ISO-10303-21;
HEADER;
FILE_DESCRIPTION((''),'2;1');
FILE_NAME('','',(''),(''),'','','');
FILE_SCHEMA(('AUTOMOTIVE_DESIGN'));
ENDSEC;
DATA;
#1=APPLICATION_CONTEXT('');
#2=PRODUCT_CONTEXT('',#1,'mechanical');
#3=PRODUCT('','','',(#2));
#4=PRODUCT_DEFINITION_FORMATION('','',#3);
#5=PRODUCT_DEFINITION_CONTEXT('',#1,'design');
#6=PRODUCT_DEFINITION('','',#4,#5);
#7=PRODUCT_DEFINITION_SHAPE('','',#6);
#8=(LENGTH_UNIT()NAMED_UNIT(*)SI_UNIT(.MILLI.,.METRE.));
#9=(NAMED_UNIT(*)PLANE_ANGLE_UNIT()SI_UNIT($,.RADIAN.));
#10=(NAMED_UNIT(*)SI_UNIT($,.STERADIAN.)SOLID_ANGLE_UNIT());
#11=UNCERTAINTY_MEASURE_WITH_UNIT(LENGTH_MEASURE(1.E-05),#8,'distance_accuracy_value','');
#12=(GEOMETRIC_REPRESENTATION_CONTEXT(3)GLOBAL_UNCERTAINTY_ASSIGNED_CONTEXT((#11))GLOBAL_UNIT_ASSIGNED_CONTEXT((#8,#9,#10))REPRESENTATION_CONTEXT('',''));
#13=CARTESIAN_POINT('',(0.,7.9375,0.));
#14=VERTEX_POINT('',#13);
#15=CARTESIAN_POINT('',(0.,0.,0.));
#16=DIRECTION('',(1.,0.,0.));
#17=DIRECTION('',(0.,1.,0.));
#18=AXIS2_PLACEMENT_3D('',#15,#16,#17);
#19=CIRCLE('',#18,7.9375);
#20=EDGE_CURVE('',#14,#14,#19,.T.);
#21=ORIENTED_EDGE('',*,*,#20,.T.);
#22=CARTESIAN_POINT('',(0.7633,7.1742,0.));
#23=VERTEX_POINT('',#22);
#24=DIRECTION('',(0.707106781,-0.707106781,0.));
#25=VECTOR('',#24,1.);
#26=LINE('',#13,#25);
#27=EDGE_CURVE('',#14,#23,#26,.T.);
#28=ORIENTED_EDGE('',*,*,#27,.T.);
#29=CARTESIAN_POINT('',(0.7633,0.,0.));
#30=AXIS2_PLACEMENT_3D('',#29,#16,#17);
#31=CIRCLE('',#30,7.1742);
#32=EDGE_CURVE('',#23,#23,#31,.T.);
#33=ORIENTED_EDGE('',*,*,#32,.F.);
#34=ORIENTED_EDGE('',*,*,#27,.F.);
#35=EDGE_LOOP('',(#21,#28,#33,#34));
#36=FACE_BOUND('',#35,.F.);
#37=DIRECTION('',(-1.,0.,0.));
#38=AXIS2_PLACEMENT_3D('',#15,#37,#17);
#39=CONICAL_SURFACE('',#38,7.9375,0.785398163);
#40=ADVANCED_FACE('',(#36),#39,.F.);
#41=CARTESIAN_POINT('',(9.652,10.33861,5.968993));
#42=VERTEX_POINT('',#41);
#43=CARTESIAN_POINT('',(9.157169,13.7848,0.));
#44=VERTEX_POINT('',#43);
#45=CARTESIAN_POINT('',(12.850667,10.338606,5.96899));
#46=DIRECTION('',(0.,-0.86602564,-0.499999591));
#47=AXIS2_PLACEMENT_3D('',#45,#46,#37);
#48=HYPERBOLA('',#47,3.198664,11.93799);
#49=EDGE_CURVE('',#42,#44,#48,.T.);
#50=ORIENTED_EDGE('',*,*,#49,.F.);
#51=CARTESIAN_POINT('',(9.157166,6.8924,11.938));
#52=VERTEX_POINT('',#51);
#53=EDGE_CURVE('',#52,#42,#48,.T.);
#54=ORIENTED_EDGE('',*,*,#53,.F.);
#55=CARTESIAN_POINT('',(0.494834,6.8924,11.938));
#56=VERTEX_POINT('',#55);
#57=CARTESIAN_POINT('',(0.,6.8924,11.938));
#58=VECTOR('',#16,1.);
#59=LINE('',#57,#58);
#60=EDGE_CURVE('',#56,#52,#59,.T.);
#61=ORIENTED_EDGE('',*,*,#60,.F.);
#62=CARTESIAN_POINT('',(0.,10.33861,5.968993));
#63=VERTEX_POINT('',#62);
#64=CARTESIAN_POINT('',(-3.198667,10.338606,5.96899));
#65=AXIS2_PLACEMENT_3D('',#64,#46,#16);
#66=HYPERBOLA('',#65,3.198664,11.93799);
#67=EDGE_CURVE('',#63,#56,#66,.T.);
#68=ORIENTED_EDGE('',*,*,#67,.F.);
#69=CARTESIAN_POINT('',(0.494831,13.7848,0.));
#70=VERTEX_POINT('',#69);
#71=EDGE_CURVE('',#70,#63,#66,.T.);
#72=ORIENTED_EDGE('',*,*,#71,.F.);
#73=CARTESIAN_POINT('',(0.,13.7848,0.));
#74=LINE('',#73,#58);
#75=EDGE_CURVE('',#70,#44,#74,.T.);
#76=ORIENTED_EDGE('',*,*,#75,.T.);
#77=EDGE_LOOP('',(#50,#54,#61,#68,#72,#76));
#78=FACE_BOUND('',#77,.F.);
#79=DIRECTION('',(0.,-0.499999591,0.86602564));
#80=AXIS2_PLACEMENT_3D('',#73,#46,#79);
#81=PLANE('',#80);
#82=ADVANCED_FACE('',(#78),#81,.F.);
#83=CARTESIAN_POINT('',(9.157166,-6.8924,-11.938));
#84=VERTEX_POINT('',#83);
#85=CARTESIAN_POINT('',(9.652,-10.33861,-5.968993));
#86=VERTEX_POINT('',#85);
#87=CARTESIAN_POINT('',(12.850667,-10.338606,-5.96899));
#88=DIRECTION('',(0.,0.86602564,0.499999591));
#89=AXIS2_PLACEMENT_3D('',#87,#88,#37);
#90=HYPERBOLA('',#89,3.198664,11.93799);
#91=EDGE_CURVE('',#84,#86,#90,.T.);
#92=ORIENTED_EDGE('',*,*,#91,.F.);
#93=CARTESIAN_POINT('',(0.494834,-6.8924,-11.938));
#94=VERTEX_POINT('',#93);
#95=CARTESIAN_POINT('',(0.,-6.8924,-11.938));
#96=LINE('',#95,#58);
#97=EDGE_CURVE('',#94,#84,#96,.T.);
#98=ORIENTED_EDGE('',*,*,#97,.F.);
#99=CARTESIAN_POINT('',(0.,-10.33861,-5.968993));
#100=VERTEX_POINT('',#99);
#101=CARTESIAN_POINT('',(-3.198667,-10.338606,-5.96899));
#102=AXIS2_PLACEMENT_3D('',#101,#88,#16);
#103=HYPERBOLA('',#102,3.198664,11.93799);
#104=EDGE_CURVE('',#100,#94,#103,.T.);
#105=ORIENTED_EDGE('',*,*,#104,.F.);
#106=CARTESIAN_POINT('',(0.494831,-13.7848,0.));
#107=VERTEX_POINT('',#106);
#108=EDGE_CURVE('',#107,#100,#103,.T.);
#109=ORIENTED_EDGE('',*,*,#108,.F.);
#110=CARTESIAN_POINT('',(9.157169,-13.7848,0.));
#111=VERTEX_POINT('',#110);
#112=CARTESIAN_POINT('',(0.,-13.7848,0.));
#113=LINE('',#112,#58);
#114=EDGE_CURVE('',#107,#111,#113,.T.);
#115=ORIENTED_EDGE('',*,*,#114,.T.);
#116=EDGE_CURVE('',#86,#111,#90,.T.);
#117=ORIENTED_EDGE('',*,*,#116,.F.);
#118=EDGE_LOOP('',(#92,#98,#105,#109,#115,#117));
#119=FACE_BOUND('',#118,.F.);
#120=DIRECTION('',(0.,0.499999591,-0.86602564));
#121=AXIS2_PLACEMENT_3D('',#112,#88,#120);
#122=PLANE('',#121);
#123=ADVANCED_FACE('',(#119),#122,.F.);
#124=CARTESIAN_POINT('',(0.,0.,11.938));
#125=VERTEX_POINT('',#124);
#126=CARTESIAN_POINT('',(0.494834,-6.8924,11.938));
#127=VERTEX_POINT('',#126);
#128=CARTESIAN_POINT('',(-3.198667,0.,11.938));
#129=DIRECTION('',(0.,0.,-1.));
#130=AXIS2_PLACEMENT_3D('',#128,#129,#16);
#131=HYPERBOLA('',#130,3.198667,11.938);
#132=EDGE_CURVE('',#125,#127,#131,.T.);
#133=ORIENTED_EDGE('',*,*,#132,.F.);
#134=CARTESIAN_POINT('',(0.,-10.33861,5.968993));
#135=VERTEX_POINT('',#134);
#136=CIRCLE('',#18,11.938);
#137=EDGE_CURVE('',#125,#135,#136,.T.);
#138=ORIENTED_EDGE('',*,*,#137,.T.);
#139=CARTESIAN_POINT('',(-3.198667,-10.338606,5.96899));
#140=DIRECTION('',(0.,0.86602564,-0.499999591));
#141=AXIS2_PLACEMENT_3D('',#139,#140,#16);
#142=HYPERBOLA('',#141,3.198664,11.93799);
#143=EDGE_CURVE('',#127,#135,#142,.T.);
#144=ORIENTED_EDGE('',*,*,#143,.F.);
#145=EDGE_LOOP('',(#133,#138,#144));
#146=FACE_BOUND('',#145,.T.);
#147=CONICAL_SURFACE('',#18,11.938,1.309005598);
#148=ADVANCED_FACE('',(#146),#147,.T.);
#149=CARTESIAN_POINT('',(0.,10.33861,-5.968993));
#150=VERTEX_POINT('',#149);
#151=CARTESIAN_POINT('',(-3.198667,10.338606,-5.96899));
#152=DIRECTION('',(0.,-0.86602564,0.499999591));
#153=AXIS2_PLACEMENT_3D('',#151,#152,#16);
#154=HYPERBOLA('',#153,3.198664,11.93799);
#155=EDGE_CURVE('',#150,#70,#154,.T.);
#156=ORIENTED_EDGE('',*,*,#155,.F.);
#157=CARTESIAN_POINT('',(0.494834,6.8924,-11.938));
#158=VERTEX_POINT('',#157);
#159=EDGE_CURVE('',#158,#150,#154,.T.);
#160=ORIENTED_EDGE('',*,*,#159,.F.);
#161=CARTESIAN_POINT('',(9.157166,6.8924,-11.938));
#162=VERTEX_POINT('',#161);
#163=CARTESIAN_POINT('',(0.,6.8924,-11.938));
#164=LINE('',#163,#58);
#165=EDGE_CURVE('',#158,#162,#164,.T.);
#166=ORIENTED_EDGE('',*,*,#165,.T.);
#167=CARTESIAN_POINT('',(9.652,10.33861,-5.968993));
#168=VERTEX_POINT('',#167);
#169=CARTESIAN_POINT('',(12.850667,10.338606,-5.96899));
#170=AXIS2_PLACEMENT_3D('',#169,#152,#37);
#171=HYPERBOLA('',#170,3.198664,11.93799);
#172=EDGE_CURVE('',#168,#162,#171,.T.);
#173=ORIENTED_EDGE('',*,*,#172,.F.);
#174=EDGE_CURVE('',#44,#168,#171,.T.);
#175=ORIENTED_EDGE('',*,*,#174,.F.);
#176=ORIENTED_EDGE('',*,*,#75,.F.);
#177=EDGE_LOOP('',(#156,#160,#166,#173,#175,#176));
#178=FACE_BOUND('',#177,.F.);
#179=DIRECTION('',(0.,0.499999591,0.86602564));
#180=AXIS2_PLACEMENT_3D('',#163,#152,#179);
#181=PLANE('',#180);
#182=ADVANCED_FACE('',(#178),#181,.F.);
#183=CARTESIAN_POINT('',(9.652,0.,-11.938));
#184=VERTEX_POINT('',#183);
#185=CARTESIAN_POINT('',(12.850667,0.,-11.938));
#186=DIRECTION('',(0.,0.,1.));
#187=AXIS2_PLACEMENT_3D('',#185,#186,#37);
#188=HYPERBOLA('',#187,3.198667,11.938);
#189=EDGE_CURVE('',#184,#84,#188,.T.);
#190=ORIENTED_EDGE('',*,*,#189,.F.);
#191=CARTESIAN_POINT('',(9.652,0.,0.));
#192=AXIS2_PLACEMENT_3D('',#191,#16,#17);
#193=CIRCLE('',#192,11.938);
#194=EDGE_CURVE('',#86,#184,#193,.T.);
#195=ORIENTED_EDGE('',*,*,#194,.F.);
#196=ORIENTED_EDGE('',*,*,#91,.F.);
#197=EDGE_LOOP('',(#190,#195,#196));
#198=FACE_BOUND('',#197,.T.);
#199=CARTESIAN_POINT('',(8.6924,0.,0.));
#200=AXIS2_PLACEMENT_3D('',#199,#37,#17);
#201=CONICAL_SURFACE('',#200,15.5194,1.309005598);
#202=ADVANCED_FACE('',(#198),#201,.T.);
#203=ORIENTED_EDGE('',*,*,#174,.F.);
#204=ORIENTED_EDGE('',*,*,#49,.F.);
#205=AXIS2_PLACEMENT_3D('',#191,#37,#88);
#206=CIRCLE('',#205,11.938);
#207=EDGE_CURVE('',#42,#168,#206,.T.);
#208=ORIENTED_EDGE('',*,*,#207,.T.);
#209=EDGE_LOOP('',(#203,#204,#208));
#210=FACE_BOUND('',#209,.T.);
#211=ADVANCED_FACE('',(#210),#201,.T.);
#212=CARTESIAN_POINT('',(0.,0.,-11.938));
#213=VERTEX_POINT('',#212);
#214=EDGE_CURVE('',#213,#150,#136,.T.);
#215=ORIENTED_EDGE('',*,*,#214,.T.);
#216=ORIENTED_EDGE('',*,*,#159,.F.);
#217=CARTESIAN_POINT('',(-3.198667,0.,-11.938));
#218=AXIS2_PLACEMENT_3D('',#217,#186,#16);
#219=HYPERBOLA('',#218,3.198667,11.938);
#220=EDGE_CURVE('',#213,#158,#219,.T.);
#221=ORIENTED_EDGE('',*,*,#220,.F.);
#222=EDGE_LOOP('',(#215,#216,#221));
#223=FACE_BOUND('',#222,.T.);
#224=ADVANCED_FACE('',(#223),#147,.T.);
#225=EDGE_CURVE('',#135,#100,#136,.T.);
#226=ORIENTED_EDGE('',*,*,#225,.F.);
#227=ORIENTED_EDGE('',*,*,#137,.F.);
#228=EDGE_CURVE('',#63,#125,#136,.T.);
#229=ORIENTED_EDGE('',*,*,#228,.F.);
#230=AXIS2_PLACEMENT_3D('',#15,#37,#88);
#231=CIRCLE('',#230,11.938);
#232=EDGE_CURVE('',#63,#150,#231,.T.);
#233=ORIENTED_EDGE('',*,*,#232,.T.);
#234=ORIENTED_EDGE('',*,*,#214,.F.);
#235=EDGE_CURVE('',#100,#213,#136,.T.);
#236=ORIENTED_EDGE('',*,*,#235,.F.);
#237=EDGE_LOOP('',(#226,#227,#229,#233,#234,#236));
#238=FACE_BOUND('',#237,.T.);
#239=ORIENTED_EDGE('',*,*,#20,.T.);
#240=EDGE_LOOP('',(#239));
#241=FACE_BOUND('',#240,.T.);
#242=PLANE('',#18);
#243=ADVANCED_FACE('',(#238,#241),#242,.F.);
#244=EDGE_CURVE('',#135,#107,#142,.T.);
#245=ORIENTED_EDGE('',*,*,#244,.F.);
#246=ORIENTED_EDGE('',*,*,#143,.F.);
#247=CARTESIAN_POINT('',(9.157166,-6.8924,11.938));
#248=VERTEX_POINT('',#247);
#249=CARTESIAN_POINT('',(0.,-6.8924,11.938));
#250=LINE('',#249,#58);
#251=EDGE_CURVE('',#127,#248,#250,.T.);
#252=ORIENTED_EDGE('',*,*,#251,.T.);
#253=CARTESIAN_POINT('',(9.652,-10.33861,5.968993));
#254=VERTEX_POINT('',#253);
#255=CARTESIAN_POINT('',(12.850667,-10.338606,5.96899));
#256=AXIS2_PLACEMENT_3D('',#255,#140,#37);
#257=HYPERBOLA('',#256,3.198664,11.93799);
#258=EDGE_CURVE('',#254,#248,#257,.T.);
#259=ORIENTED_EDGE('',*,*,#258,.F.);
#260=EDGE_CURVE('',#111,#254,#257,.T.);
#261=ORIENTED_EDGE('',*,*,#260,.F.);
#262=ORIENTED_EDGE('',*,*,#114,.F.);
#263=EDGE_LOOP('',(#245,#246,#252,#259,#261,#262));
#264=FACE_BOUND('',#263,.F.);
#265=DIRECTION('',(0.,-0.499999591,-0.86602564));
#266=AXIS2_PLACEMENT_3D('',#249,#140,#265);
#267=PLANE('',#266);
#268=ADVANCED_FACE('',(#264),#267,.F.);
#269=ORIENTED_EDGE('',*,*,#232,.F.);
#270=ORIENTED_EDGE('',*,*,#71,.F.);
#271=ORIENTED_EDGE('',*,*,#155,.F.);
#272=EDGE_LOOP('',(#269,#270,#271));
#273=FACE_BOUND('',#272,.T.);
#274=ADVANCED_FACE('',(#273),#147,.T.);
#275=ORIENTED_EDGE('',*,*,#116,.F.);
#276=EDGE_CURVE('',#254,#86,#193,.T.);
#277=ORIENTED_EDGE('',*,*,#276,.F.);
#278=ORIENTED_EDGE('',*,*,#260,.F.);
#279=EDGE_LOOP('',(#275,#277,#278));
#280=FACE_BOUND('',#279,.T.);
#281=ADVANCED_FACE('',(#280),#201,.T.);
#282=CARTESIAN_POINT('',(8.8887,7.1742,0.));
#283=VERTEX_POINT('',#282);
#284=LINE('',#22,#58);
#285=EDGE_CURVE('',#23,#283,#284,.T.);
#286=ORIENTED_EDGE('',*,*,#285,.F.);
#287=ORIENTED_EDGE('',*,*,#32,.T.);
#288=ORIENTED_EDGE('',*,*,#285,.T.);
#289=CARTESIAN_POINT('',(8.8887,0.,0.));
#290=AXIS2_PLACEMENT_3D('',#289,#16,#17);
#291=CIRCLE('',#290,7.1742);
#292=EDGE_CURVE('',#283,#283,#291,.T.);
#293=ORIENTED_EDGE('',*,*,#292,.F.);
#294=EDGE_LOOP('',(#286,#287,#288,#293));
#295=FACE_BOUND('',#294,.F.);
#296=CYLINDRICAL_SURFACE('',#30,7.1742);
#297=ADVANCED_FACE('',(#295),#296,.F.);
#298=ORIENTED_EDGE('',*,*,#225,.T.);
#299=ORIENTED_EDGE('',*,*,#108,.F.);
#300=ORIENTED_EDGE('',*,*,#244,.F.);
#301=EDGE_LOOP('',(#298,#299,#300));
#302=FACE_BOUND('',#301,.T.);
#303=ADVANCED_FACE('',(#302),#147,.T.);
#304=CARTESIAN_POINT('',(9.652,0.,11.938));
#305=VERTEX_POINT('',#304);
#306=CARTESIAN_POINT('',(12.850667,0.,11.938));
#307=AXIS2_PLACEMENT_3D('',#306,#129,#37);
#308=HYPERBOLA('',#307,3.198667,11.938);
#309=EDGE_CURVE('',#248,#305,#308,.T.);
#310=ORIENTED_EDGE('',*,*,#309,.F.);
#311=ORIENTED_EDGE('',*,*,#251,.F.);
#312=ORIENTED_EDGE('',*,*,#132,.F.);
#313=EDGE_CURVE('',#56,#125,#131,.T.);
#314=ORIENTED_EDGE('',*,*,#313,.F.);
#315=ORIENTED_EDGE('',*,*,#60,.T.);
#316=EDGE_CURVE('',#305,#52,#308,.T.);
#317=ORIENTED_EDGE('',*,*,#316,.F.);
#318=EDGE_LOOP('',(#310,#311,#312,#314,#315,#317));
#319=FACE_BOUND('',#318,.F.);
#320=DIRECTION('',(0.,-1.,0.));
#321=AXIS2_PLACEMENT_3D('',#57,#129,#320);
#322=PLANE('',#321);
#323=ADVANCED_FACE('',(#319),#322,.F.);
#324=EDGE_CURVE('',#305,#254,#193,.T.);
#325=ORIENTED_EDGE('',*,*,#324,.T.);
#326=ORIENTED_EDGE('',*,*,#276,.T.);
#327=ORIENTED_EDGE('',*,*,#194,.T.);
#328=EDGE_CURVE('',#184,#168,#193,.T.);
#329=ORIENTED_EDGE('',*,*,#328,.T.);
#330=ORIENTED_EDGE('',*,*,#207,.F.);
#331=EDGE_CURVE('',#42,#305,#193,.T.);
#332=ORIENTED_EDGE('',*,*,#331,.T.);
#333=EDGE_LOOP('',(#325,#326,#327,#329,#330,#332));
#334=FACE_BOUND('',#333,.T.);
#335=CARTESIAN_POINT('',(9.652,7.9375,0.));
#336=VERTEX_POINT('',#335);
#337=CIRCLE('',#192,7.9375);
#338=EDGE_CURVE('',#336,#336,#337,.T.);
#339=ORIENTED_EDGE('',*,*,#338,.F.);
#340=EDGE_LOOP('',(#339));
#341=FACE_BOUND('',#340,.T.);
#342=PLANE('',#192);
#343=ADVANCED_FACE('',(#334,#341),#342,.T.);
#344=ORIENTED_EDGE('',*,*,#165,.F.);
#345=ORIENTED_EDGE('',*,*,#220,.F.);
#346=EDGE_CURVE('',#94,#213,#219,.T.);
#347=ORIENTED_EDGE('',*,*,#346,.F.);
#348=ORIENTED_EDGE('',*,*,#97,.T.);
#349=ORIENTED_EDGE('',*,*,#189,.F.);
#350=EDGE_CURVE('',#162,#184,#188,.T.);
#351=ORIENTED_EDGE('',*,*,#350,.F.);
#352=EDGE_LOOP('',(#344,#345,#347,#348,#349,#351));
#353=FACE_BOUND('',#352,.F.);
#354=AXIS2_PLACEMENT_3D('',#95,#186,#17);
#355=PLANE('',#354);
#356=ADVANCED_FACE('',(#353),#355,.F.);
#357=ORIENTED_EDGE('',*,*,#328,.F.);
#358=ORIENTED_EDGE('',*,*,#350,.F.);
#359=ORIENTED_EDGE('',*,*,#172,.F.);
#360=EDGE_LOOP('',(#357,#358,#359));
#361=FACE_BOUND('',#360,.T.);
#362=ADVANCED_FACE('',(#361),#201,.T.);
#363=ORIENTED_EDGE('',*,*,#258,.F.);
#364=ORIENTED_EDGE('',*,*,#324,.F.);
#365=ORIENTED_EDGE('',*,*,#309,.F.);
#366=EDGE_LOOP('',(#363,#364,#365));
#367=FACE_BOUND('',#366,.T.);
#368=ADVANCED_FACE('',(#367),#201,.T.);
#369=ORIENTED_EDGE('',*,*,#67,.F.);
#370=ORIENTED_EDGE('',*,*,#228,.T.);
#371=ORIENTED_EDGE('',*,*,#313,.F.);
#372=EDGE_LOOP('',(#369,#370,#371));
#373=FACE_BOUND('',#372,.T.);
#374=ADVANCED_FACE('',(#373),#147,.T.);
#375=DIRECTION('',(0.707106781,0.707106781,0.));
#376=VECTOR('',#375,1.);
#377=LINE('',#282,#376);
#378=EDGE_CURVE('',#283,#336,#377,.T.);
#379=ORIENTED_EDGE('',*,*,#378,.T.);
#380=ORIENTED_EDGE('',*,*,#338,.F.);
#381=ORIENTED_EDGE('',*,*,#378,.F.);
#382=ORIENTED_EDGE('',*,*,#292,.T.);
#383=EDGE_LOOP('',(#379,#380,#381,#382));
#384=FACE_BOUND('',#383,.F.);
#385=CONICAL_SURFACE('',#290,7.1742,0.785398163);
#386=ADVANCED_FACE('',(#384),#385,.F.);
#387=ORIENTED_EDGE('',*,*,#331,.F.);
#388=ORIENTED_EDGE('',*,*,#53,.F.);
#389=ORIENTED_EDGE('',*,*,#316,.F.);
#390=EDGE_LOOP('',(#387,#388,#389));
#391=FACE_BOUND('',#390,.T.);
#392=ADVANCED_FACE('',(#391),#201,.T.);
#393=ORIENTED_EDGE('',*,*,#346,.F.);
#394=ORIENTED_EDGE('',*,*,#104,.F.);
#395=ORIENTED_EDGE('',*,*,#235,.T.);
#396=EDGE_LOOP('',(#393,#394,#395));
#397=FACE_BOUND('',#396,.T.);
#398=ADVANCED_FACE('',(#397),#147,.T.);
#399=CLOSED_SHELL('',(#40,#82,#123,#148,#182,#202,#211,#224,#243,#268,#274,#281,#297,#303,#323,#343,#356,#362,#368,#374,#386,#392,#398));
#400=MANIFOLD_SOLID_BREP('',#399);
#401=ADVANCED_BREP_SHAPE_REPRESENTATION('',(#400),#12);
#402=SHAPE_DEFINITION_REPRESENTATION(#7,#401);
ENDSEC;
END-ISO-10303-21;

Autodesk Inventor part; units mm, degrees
sketch "Sketch_1" plane through (0, 0, 0) normal (0, 0, 1) x (1, 0, 0)
  line L0 (9.652, 0) -> (0, 0)
  line L1 (0, 0) -> (0, 11.938)
  line L2 (0, 11.938) -> (0.9596, 15.5194)
  line L3 (0.9596, 15.5194) -> (8.6924, 15.5194)
  line L4 (8.6924, 15.5194) -> (9.652, 11.938)
  line L5 (9.652, 11.938) -> (9.652, 0)
  line L6 (9.652, 0) -> (0, 0)
revolve "Revolution1" add sketch "Sketch_1" angle 360 about axis through (9.652, 0, 0) along (1, 0, 0)
sketch "Sketch_2" plane through (0, 0, 0) normal (1, 0, 0) x (0, 1, 0)
  line L0 (-23.876, 23.876) -> (-23.876, -23.876)
  line L1 (-23.876, -23.876) -> (23.876, -23.876)
  line L2 (23.876, -23.876) -> (23.876, 23.876)
  line L3 (23.876, 23.876) -> (-23.876, 23.876)
  line L4 (-6.8924, 11.938) -> (-13.7848, 0)
  line L5 (-13.7848, 0) -> (-6.8924, -11.938)
  line L6 (-6.8924, -11.938) -> (6.8924, -11.938)
  line L7 (6.8924, -11.938) -> (13.7848, 0)
  line L8 (13.7848, 0) -> (6.8924, 11.938)
  line L9 (6.8924, 11.938) -> (-6.8924, 11.938)
extrude "Extrusion1" cut sketch "Sketch_2" along normal blind 9.652
sketch "Sketch_3" plane through (0, 0, 0) normal (0, 0, 1) x (1, 0, 0)
  line L0 (9.652, 0) -> (0, 0)
  line L1 (0, 0) -> (0, 7.9375)
  line L2 (0, 7.9375) -> (0.7633, 7.1742)
  line L3 (0.7633, 7.1742) -> (8.8887, 7.1742)
  line L4 (8.8887, 7.1742) -> (9.652, 7.9375)
  line L5 (9.652, 7.9375) -> (9.652, 0)
  line L6 (9.652, 0) -> (0, 0)
revolve "Revolution2" cut sketch "Sketch_3" angle 360 about axis through (9.652, 0, 0) along (1, 0, 0)
thread "Thread1" size "5/8-18 UNF" class "2B" standard "ANSI Unified Screw Threads" full length
ref_plane "c_XY" through (9.652, 0, 0) normal (1, 0, 0) x (0, 0, -1)
ref_plane "c_YZ" through (9.652, 0, 0) normal (0, 0, -1) x (0, 1, 0)
ref_plane "c_ZX" through (9.652, 0, 0) normal (0, 1, 0) x (1, 0, 0)
ref_plane "kb_XY" through (4.826, -11.938, 0) normal (0, 0, 1) x (1, 0, 0)
ref_plane "kb_YZ" through (4.826, -11.938, 0) normal (1, 0, 0) x (0, 1, 0)
ref_plane "kb_ZX" through (4.826, -11.938, 0) normal (0, 1, 0) x (0, 0, 1)
ref_plane "nut_XY" through (0, 0, 0) normal (1, 0, 0) x (0, 0, -1)
ref_plane "nut_YZ" through (0, 0, 0) normal (0, 0, -1) x (0, 1, 0)
ref_plane "nut_ZX" through (0, 0, 0) normal (0, 1, 0) x (1, 0, 0)
properties part number "L073800800"
